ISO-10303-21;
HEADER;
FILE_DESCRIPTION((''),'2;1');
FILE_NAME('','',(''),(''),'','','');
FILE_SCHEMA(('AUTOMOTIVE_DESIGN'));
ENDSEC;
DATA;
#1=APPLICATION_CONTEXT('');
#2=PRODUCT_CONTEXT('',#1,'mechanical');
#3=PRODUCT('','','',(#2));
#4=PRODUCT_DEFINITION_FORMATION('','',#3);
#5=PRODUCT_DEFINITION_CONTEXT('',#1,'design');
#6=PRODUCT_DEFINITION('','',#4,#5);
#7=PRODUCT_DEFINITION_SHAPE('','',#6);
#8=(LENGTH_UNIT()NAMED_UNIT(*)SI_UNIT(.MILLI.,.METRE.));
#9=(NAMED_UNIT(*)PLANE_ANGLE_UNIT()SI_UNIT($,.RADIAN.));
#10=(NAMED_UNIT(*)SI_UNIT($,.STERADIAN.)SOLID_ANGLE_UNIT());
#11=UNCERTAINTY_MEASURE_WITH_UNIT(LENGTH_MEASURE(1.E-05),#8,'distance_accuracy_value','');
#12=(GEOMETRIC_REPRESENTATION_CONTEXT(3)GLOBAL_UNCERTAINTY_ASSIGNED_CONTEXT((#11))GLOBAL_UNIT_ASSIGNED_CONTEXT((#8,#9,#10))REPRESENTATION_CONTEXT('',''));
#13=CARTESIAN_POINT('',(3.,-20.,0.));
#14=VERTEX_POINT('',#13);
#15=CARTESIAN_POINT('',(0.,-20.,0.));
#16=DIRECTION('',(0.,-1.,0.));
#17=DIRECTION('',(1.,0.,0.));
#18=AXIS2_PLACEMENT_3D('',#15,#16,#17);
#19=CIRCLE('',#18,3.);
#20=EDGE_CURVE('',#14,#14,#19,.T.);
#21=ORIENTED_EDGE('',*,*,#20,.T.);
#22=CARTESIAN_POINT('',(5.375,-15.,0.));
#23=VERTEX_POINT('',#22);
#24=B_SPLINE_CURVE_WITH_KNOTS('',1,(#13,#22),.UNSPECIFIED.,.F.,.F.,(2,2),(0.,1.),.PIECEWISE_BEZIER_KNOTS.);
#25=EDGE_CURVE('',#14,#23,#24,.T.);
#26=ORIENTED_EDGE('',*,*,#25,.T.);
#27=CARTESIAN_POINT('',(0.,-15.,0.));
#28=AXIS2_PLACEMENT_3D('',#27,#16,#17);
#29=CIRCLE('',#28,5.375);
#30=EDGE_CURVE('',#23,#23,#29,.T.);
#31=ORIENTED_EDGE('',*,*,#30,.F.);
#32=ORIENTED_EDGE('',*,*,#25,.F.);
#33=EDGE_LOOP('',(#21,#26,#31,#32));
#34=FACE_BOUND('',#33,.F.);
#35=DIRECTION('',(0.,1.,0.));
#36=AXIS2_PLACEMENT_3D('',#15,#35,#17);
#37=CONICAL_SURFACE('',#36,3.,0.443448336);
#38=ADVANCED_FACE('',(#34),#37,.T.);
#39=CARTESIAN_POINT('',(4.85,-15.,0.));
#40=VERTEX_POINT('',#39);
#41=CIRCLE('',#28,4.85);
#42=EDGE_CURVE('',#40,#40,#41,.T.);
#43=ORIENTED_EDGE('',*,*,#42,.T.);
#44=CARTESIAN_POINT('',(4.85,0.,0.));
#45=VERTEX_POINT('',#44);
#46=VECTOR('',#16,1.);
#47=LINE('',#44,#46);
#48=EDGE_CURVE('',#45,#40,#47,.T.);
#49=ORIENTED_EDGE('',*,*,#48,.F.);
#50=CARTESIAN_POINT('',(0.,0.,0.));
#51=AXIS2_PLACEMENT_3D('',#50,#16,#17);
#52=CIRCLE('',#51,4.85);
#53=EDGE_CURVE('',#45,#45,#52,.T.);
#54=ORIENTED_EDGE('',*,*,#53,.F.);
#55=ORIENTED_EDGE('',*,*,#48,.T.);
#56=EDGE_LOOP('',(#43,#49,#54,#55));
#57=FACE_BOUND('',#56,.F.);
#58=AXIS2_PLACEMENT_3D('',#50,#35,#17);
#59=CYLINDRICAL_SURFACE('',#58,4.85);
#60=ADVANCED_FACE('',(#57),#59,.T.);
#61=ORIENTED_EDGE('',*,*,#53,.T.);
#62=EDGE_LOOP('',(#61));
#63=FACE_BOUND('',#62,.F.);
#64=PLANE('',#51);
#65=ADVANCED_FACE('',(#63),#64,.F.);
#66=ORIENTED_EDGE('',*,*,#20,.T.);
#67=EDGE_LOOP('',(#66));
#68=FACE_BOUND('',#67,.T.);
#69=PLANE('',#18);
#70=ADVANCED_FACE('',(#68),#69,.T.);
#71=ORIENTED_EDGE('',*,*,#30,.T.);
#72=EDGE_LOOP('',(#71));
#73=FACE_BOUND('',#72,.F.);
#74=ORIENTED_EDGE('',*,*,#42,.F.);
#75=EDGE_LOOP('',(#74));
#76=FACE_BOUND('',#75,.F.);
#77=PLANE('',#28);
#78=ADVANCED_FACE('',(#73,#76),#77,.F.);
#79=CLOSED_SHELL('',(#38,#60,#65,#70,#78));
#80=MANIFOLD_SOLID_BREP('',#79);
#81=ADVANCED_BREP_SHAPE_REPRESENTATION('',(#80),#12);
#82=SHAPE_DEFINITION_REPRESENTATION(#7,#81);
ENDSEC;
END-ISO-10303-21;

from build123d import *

# Parameters (mm, degrees)
F0_R     = 4.85
F1_DEPTH = 15
F5_R     = 3
F3_R     = 5.375


with BuildPart() as f1:
    # F0 (on Front) → F1 (new body)
    with BuildSketch(Plane.XZ):
        Circle(F0_R)
    extrude(amount=F1_DEPTH)

    # F5 (on offset) → F6 section 0
    with BuildSketch(Plane.XZ.offset(20)):
        Circle(F5_R)
    # F3 (on offset) → F6 section 1
    with BuildSketch(Plane.XZ.offset(15)):
        Circle(F3_R)
    loft()


solid = f1.part
